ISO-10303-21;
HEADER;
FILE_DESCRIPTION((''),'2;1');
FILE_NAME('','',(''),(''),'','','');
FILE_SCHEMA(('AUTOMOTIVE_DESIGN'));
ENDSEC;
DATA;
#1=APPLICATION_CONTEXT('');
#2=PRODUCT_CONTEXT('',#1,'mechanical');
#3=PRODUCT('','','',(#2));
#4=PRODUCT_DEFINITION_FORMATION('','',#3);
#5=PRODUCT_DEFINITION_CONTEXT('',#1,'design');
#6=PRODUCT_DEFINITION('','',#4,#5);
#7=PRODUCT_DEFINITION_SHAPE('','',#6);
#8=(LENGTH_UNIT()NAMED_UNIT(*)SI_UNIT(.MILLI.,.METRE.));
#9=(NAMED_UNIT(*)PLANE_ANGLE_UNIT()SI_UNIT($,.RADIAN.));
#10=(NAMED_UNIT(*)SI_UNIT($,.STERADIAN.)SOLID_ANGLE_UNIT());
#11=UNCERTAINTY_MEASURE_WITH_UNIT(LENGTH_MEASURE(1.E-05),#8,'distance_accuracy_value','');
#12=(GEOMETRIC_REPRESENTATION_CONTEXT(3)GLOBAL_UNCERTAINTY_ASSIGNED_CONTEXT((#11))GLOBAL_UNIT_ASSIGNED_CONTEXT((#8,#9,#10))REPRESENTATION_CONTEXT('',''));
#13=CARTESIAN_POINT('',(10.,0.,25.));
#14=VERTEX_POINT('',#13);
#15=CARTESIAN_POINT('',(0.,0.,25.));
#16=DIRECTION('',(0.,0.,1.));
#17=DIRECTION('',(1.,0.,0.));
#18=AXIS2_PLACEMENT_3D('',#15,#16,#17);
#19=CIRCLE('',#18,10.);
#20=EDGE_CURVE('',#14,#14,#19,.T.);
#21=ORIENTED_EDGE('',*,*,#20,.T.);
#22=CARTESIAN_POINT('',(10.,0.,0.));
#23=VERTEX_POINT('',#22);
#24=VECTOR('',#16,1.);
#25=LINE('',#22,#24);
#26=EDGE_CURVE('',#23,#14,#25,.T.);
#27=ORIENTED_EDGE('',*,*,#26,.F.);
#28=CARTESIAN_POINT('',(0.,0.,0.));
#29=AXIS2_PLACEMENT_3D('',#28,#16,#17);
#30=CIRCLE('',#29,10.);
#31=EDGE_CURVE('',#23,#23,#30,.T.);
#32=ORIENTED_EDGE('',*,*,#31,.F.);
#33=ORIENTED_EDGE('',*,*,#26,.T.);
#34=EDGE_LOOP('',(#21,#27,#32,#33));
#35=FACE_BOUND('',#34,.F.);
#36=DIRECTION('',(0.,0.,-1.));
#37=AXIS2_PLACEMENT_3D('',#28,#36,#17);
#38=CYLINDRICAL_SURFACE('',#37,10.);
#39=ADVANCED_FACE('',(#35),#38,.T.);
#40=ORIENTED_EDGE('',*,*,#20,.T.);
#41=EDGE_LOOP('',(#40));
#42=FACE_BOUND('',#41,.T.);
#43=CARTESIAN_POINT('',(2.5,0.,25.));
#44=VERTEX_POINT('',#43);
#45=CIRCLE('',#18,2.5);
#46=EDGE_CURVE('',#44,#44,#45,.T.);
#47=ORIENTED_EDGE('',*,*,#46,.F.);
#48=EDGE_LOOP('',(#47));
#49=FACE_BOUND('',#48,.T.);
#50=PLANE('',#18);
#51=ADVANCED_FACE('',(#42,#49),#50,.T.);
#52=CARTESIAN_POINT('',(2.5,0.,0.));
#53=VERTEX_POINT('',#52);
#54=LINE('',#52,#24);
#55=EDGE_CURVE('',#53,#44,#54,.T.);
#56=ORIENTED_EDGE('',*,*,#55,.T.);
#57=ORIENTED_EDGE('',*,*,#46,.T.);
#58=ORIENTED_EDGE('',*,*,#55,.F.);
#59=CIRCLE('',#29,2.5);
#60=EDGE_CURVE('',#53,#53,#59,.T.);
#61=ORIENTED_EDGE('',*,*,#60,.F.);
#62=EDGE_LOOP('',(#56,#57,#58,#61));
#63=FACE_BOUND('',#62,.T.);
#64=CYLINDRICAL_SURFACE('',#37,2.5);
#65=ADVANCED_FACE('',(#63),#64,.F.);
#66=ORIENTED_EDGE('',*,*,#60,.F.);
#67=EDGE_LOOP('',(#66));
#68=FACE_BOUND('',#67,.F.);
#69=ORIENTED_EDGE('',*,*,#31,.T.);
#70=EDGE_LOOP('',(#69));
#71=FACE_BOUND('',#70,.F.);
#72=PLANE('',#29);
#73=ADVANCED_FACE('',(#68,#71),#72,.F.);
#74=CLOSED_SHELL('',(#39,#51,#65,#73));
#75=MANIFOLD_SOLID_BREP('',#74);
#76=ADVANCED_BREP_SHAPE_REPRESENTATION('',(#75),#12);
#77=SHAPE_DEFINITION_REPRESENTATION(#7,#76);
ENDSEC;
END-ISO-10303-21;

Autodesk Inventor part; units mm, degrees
ref_plane "YZ Plane" through (0, 0, 0) normal (1, 0, 0) x (0, 1, 0)
ref_plane "XZ Plane" through (0, 0, 0) normal (0, 1, 0) x (-1, 0, 0)
ref_plane "XY Plane" through (0, 0, 0) normal (0, 0, 1) x (1, 0, 0)
sketch "Sketch1" plane through (0, 0, 0) normal (0, 0, 1) x (1, 0, 0)
  circle A0 centre (0, 0) radius 2.5
  circle A1 centre (0, 0) radius 10
  dimension "d0" = 5
  dimension "d2" = 20
extrude "Extrusion1" add sketch "Sketch1" along normal blind 25
properties part number "flexibleShaftCoupling"
